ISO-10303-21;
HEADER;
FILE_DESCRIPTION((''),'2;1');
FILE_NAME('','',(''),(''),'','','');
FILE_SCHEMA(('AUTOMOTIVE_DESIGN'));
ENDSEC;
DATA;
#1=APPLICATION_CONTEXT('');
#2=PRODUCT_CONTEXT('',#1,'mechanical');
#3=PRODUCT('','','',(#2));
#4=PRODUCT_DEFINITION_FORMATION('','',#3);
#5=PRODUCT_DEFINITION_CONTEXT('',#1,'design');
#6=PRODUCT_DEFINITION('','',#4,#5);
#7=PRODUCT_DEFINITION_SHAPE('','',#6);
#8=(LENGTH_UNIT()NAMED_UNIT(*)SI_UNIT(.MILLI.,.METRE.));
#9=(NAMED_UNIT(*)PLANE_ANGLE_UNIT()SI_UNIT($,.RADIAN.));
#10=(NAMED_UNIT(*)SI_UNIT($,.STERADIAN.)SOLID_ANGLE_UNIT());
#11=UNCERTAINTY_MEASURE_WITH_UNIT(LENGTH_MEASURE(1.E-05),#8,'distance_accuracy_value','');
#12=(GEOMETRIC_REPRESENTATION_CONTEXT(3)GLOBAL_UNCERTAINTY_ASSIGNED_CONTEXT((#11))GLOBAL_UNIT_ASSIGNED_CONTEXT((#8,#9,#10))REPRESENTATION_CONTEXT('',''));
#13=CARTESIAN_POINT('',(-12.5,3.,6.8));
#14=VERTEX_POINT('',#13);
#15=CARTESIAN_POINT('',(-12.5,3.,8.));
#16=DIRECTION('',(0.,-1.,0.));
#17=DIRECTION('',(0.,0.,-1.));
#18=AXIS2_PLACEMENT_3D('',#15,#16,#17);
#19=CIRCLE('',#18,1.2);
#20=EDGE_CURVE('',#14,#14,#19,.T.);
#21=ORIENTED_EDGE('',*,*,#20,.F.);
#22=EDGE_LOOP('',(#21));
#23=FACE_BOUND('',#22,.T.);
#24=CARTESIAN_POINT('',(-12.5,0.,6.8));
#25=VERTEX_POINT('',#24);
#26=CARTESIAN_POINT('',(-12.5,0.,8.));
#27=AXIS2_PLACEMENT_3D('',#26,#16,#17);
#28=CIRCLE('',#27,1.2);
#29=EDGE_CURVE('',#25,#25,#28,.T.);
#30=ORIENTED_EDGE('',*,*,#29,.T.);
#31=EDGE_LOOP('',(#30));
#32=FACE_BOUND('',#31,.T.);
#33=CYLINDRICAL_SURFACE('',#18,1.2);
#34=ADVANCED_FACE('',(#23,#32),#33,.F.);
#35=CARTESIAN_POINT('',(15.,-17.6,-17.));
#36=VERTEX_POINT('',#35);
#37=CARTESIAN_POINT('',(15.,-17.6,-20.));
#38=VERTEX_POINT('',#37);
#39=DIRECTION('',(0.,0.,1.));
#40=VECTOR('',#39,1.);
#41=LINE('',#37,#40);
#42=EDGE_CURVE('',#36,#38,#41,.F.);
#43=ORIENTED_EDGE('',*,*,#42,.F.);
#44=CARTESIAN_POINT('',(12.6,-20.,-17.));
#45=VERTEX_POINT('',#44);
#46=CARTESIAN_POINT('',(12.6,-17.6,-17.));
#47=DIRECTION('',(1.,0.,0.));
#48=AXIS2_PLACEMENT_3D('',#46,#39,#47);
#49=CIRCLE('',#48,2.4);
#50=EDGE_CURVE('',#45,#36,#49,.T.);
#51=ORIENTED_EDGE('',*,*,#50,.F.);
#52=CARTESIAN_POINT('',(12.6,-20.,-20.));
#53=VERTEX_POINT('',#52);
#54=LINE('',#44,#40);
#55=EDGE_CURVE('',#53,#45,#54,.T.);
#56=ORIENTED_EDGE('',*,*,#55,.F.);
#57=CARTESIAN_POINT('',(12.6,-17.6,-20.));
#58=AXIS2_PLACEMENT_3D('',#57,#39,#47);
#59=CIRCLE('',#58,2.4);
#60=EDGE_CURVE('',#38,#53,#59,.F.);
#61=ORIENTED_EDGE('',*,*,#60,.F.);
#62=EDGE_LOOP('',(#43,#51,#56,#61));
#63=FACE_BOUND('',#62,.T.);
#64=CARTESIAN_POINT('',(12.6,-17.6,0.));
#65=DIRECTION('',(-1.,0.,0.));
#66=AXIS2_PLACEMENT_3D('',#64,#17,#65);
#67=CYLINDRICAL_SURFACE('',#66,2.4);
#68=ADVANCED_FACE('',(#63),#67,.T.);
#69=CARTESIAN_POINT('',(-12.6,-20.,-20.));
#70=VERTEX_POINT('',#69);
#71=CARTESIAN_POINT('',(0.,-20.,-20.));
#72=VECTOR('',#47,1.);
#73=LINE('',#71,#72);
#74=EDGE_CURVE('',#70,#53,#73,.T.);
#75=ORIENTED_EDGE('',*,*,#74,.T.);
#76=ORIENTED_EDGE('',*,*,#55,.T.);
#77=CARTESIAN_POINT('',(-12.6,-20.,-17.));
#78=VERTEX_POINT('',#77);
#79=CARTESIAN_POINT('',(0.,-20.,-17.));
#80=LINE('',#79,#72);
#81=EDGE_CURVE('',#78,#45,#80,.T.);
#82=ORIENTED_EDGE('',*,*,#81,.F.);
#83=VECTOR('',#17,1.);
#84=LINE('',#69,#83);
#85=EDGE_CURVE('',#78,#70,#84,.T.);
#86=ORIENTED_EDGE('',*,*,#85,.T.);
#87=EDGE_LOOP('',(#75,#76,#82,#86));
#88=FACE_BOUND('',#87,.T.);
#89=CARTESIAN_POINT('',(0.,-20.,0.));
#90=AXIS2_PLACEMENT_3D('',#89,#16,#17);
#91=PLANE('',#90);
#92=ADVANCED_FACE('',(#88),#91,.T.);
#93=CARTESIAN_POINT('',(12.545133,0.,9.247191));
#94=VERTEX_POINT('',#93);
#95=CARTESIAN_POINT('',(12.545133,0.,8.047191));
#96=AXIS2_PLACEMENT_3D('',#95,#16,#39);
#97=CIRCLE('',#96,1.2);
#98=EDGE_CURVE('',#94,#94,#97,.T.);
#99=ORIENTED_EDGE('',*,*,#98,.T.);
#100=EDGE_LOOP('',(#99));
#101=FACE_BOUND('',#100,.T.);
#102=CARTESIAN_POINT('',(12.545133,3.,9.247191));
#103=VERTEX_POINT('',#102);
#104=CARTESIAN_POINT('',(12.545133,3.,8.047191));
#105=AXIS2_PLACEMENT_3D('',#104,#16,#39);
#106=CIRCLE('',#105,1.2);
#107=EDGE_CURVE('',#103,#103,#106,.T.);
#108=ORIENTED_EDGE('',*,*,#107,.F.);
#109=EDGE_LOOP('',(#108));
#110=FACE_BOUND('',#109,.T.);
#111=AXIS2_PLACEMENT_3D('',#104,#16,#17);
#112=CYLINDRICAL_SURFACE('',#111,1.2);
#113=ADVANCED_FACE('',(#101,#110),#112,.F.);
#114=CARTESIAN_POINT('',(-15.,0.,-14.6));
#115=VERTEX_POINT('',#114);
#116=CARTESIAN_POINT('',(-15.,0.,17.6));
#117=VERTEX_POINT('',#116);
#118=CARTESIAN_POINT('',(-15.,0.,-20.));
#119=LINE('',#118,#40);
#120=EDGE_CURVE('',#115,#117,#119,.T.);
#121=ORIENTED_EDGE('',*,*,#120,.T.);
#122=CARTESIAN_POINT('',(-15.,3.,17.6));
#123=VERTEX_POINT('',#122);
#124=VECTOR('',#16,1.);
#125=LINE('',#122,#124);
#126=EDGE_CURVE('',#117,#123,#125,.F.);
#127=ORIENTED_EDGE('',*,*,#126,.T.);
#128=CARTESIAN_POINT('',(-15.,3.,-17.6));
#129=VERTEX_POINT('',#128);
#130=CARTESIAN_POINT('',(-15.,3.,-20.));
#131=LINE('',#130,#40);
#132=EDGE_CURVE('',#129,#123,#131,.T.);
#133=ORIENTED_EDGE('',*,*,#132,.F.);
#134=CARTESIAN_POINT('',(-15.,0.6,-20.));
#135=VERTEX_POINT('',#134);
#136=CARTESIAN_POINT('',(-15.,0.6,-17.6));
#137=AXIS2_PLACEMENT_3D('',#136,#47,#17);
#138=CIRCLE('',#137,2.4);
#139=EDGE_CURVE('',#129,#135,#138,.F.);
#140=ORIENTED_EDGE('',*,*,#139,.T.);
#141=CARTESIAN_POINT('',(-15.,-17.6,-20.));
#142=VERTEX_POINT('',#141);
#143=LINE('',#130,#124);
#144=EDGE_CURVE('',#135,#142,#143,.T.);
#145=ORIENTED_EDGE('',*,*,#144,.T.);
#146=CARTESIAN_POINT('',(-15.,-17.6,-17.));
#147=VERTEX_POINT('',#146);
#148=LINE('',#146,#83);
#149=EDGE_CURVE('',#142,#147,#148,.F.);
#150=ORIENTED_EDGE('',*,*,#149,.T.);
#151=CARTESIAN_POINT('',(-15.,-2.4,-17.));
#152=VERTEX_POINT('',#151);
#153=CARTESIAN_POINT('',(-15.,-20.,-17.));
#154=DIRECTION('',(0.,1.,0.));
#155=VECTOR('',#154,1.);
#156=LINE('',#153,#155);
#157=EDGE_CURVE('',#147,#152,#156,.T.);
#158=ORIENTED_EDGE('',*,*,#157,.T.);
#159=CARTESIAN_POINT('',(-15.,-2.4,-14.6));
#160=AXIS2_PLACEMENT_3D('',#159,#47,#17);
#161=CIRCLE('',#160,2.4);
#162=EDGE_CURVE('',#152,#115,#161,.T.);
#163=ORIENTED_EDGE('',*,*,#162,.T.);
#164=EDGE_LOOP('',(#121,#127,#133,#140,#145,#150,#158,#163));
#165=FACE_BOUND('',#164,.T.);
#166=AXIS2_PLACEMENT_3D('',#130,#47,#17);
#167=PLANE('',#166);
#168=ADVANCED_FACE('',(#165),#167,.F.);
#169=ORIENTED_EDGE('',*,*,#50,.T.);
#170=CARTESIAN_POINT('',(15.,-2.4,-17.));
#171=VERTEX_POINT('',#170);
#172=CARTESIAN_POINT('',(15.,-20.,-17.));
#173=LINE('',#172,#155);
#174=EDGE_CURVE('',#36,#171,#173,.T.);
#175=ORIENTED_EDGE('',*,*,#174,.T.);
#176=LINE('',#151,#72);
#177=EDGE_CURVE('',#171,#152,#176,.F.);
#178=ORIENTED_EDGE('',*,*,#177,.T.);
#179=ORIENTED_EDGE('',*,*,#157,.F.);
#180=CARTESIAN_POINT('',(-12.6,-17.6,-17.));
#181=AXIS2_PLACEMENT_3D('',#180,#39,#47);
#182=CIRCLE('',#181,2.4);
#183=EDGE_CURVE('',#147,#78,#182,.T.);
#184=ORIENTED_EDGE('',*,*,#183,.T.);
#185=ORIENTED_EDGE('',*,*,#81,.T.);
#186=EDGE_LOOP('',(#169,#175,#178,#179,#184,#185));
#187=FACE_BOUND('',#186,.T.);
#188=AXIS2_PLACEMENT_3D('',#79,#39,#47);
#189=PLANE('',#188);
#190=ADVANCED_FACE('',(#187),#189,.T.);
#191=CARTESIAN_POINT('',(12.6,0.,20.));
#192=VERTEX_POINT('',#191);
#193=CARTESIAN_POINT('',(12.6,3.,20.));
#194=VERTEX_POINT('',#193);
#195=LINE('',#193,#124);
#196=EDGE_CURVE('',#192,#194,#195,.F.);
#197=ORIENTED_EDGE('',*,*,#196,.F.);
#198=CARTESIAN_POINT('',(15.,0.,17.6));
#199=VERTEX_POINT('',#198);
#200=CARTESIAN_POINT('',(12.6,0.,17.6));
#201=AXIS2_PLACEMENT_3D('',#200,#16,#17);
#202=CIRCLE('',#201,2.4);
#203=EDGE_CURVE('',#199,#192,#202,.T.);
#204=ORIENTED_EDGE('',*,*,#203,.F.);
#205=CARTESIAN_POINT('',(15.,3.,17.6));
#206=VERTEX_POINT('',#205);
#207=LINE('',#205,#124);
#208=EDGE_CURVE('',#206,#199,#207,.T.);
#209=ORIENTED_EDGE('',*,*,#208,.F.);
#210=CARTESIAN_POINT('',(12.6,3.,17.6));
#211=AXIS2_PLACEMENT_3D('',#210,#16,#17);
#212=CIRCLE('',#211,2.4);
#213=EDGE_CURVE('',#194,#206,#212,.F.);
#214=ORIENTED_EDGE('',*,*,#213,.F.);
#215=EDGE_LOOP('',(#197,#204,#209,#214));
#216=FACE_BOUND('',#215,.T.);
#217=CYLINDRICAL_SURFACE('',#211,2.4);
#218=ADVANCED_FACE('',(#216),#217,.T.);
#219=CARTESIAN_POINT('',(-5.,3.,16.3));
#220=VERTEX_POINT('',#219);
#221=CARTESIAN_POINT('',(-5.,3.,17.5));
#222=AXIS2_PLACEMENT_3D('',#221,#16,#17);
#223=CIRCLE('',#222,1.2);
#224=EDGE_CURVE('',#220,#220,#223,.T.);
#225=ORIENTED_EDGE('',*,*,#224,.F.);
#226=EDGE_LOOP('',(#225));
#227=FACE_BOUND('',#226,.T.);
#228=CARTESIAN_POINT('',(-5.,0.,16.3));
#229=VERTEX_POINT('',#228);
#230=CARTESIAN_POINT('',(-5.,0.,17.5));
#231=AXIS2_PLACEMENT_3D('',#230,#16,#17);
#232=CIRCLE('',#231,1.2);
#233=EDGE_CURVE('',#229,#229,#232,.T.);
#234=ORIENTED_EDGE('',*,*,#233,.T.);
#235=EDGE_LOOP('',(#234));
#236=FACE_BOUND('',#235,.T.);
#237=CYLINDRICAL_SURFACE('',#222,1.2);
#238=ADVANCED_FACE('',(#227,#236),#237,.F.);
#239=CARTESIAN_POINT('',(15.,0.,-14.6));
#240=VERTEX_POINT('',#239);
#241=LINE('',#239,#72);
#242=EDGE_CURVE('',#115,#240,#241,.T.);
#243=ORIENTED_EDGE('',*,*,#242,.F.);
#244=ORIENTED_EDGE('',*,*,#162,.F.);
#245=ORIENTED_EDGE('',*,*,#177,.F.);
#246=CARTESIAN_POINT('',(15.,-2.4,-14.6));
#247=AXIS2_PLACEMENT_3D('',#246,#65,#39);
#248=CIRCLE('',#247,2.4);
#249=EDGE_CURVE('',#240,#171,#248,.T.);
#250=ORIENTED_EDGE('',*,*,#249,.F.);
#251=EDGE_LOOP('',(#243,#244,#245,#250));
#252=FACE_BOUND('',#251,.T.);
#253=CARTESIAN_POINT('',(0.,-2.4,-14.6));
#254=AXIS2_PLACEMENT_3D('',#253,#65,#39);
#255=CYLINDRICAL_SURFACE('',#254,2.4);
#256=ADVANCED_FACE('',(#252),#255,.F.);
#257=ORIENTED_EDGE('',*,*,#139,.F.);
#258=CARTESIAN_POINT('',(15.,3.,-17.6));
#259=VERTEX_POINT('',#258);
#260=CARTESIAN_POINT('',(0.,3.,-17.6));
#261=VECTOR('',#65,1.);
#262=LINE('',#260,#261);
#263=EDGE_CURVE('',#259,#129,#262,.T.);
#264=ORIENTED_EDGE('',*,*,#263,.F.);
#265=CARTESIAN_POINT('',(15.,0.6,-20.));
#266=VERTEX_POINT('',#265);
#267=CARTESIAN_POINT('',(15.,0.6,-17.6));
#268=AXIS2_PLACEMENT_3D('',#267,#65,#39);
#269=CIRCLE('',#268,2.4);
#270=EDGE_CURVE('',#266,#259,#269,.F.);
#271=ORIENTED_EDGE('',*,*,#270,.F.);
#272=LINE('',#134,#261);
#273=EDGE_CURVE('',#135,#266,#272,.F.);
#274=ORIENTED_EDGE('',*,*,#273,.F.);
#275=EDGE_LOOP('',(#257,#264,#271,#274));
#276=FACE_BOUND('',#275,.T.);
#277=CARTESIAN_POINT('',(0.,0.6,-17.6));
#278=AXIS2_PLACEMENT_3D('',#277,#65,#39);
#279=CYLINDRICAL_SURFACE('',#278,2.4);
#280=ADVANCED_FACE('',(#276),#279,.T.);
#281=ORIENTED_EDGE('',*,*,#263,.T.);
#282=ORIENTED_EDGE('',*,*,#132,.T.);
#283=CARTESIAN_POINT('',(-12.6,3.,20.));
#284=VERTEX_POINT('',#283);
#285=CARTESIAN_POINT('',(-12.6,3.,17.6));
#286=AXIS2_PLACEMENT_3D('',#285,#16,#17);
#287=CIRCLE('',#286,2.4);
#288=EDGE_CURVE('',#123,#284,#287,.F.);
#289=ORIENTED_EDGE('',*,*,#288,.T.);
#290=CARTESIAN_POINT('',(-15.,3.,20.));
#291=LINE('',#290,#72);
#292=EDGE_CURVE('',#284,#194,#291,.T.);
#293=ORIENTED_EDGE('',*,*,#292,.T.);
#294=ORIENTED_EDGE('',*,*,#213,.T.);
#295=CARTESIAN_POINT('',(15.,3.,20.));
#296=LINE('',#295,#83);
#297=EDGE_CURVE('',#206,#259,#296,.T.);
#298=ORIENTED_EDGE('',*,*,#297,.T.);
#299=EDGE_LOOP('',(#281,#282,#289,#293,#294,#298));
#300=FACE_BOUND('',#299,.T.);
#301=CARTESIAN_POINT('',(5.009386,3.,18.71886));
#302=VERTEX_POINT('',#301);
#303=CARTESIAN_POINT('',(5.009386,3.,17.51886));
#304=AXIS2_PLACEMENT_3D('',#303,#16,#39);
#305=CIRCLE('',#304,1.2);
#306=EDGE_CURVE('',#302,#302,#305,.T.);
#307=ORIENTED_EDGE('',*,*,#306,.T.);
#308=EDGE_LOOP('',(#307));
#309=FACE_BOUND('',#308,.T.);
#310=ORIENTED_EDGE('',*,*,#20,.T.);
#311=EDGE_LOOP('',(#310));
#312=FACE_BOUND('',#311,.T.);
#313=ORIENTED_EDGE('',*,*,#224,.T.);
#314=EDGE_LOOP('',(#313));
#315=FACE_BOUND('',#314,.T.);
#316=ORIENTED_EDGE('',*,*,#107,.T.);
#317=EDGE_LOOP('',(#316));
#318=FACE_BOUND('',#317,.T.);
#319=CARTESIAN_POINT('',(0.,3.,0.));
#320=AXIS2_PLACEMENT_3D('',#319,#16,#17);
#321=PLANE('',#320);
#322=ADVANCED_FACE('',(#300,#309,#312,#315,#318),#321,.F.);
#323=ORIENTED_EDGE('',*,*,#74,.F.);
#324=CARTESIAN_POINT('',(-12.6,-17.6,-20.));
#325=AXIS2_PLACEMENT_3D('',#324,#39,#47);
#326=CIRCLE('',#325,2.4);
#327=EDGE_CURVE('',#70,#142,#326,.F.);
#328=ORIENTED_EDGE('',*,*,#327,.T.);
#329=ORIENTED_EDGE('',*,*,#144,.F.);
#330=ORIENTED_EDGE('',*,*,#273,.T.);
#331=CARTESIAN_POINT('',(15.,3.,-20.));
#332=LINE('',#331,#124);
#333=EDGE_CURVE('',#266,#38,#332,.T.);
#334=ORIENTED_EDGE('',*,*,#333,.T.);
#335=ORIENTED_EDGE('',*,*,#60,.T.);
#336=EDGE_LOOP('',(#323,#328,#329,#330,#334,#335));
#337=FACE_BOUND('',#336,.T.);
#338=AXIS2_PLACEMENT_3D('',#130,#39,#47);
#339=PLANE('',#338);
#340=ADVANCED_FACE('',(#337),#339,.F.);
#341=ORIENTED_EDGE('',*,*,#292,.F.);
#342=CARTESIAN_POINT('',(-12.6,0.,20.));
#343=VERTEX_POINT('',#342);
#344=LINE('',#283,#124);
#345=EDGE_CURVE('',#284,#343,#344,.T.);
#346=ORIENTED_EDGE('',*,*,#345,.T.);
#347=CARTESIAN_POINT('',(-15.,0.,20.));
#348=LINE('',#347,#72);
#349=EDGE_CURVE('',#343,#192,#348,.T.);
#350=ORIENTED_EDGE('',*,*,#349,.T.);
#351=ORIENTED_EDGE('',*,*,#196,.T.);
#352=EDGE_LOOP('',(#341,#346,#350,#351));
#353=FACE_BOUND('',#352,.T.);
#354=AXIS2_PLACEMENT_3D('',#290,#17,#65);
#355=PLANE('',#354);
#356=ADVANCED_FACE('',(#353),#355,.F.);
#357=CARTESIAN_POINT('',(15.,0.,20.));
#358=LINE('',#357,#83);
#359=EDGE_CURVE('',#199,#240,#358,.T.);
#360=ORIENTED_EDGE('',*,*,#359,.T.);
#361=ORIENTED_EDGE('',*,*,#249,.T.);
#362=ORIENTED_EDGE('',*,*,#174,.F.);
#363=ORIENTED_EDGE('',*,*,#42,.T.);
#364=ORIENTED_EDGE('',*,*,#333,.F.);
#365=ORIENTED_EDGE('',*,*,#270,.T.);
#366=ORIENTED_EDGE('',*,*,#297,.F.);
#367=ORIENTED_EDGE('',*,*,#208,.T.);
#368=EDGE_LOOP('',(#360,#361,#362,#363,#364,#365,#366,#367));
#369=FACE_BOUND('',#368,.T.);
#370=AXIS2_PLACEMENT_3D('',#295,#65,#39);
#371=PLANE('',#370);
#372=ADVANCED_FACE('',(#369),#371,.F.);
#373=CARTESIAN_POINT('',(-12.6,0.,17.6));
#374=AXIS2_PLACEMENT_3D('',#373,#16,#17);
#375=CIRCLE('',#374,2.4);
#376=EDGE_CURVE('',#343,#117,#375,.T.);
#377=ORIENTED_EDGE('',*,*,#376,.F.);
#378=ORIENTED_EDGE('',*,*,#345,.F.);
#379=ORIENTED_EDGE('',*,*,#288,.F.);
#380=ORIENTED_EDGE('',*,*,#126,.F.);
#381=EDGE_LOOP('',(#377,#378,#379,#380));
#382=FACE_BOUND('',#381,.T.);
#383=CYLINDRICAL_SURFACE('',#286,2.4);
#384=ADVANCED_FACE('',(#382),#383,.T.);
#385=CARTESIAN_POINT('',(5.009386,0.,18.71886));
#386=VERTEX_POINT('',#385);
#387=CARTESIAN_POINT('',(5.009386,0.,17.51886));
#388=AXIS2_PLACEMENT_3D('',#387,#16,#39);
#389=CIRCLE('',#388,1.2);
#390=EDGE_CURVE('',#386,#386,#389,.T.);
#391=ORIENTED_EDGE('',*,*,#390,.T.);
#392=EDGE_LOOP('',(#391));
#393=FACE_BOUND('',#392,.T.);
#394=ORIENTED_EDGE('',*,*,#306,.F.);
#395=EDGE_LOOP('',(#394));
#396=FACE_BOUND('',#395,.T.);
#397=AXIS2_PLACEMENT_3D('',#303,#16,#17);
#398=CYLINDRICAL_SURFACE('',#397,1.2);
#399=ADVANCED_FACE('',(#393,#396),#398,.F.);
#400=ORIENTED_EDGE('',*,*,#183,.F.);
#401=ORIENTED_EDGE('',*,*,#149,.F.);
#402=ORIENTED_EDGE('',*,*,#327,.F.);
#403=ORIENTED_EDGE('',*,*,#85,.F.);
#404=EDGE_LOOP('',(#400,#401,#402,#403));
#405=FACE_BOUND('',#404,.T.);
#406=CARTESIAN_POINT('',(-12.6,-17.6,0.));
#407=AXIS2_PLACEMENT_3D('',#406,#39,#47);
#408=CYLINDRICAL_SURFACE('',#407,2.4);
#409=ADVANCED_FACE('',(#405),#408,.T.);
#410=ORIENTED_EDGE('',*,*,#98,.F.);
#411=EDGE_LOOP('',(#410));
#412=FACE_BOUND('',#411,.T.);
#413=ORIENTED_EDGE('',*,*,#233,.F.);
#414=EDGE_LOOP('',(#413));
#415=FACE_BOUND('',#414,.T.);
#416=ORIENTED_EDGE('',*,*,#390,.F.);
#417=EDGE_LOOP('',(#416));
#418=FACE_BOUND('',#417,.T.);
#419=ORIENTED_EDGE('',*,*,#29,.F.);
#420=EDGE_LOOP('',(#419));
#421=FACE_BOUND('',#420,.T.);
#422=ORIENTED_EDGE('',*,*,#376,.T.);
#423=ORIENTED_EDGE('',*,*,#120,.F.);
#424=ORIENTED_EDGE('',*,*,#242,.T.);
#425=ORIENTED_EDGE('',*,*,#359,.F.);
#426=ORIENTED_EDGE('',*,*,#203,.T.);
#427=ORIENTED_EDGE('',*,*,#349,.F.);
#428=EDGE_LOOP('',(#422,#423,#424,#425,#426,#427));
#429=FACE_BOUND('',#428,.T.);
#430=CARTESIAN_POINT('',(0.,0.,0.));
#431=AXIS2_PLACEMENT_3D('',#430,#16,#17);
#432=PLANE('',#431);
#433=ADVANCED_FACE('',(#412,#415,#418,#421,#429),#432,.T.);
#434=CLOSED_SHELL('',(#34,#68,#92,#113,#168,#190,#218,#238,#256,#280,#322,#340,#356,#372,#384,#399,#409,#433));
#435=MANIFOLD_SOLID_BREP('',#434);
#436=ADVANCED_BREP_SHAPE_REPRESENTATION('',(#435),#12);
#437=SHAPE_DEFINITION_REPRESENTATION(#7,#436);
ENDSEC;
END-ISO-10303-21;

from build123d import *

# Parameters (mm, degrees)
ESBO_O1_W                = 30
ESBO_O1_H                = 40
RESSALTO_EXTRUS_O1_DEPTH = 3
ESBO_O3_R                = 1.2
CORTE_EXTRUS_O2_DEPTH    = 26.179356624
ESBO_O4_W                = 30
ESBO_O4_H                = 3
RESSALTO_EXTRUS_O2_DEPTH = 20
FILETE5_R                = 2.4
FILETE6_R                = 2.4
FILETE7_R                = 2.4
FILETE8_R                = 2.4


with BuildPart() as part:
    # Esboço1 → Ressalto-extrusão1 (new body)
    with BuildSketch(Plane(origin=(0, 0, 0), x_dir=(1, 0, 0), z_dir=(0, 1, 0))):
        Rectangle(ESBO_O1_W, ESBO_O1_H)
    extrude(amount=RESSALTO_EXTRUS_O1_DEPTH)

    # Esboço3 → Corte-extrusão2 (cut, through all)
    with BuildSketch(Plane.XZ):
        with Locations(Location((-5, 17.5, 0), (0, 0, 270))):
            Circle(ESBO_O3_R)
        with Locations(Location((-12.5, 8, 0), (0, 0, 270))):
            Circle(ESBO_O3_R)
        with Locations(Location((12.545132566, 8.047190753, 0), (0, 0, 90))):
            Circle(ESBO_O3_R)
        with Locations(Location((5.009385606, 17.51885997, 0), (0, 0, 90))):
            Circle(ESBO_O3_R)
    extrude(amount=-CORTE_EXTRUS_O2_DEPTH, mode=Mode.SUBTRACT)

    # Esboço4 → Ressalto-extrusão2 (add)
    with BuildSketch(Plane.XZ):
        with Locations((0, -18.5)):
            Rectangle(ESBO_O4_W, ESBO_O4_H)
    extrude(amount=RESSALTO_EXTRUS_O2_DEPTH)

    # Filete5
    filete5_edges = [part.edges().sort_by_distance(p)[0] for p in [
        (0, 0, -17),
    ]]
    fillet(filete5_edges, radius=FILETE5_R)

    # Filete6
    filete6_edges = [part.edges().sort_by_distance(p)[0] for p in [
        (0, 3, -20),
    ]]
    fillet(filete6_edges, radius=FILETE6_R)

    # Filete7
    filete7_edges = [part.edges().sort_by_distance(p)[0] for p in [
        (15, 1.5, 20),
        (-15, 1.5, 20),
    ]]
    fillet(filete7_edges, radius=FILETE7_R)

    # Filete8
    filete8_edges = [part.edges().sort_by_distance(p)[0] for p in [
        (-15, -20, -18.5),
        (15, -20, -18.5),
    ]]
    fillet(filete8_edges, radius=FILETE8_R)


solid = part.part
